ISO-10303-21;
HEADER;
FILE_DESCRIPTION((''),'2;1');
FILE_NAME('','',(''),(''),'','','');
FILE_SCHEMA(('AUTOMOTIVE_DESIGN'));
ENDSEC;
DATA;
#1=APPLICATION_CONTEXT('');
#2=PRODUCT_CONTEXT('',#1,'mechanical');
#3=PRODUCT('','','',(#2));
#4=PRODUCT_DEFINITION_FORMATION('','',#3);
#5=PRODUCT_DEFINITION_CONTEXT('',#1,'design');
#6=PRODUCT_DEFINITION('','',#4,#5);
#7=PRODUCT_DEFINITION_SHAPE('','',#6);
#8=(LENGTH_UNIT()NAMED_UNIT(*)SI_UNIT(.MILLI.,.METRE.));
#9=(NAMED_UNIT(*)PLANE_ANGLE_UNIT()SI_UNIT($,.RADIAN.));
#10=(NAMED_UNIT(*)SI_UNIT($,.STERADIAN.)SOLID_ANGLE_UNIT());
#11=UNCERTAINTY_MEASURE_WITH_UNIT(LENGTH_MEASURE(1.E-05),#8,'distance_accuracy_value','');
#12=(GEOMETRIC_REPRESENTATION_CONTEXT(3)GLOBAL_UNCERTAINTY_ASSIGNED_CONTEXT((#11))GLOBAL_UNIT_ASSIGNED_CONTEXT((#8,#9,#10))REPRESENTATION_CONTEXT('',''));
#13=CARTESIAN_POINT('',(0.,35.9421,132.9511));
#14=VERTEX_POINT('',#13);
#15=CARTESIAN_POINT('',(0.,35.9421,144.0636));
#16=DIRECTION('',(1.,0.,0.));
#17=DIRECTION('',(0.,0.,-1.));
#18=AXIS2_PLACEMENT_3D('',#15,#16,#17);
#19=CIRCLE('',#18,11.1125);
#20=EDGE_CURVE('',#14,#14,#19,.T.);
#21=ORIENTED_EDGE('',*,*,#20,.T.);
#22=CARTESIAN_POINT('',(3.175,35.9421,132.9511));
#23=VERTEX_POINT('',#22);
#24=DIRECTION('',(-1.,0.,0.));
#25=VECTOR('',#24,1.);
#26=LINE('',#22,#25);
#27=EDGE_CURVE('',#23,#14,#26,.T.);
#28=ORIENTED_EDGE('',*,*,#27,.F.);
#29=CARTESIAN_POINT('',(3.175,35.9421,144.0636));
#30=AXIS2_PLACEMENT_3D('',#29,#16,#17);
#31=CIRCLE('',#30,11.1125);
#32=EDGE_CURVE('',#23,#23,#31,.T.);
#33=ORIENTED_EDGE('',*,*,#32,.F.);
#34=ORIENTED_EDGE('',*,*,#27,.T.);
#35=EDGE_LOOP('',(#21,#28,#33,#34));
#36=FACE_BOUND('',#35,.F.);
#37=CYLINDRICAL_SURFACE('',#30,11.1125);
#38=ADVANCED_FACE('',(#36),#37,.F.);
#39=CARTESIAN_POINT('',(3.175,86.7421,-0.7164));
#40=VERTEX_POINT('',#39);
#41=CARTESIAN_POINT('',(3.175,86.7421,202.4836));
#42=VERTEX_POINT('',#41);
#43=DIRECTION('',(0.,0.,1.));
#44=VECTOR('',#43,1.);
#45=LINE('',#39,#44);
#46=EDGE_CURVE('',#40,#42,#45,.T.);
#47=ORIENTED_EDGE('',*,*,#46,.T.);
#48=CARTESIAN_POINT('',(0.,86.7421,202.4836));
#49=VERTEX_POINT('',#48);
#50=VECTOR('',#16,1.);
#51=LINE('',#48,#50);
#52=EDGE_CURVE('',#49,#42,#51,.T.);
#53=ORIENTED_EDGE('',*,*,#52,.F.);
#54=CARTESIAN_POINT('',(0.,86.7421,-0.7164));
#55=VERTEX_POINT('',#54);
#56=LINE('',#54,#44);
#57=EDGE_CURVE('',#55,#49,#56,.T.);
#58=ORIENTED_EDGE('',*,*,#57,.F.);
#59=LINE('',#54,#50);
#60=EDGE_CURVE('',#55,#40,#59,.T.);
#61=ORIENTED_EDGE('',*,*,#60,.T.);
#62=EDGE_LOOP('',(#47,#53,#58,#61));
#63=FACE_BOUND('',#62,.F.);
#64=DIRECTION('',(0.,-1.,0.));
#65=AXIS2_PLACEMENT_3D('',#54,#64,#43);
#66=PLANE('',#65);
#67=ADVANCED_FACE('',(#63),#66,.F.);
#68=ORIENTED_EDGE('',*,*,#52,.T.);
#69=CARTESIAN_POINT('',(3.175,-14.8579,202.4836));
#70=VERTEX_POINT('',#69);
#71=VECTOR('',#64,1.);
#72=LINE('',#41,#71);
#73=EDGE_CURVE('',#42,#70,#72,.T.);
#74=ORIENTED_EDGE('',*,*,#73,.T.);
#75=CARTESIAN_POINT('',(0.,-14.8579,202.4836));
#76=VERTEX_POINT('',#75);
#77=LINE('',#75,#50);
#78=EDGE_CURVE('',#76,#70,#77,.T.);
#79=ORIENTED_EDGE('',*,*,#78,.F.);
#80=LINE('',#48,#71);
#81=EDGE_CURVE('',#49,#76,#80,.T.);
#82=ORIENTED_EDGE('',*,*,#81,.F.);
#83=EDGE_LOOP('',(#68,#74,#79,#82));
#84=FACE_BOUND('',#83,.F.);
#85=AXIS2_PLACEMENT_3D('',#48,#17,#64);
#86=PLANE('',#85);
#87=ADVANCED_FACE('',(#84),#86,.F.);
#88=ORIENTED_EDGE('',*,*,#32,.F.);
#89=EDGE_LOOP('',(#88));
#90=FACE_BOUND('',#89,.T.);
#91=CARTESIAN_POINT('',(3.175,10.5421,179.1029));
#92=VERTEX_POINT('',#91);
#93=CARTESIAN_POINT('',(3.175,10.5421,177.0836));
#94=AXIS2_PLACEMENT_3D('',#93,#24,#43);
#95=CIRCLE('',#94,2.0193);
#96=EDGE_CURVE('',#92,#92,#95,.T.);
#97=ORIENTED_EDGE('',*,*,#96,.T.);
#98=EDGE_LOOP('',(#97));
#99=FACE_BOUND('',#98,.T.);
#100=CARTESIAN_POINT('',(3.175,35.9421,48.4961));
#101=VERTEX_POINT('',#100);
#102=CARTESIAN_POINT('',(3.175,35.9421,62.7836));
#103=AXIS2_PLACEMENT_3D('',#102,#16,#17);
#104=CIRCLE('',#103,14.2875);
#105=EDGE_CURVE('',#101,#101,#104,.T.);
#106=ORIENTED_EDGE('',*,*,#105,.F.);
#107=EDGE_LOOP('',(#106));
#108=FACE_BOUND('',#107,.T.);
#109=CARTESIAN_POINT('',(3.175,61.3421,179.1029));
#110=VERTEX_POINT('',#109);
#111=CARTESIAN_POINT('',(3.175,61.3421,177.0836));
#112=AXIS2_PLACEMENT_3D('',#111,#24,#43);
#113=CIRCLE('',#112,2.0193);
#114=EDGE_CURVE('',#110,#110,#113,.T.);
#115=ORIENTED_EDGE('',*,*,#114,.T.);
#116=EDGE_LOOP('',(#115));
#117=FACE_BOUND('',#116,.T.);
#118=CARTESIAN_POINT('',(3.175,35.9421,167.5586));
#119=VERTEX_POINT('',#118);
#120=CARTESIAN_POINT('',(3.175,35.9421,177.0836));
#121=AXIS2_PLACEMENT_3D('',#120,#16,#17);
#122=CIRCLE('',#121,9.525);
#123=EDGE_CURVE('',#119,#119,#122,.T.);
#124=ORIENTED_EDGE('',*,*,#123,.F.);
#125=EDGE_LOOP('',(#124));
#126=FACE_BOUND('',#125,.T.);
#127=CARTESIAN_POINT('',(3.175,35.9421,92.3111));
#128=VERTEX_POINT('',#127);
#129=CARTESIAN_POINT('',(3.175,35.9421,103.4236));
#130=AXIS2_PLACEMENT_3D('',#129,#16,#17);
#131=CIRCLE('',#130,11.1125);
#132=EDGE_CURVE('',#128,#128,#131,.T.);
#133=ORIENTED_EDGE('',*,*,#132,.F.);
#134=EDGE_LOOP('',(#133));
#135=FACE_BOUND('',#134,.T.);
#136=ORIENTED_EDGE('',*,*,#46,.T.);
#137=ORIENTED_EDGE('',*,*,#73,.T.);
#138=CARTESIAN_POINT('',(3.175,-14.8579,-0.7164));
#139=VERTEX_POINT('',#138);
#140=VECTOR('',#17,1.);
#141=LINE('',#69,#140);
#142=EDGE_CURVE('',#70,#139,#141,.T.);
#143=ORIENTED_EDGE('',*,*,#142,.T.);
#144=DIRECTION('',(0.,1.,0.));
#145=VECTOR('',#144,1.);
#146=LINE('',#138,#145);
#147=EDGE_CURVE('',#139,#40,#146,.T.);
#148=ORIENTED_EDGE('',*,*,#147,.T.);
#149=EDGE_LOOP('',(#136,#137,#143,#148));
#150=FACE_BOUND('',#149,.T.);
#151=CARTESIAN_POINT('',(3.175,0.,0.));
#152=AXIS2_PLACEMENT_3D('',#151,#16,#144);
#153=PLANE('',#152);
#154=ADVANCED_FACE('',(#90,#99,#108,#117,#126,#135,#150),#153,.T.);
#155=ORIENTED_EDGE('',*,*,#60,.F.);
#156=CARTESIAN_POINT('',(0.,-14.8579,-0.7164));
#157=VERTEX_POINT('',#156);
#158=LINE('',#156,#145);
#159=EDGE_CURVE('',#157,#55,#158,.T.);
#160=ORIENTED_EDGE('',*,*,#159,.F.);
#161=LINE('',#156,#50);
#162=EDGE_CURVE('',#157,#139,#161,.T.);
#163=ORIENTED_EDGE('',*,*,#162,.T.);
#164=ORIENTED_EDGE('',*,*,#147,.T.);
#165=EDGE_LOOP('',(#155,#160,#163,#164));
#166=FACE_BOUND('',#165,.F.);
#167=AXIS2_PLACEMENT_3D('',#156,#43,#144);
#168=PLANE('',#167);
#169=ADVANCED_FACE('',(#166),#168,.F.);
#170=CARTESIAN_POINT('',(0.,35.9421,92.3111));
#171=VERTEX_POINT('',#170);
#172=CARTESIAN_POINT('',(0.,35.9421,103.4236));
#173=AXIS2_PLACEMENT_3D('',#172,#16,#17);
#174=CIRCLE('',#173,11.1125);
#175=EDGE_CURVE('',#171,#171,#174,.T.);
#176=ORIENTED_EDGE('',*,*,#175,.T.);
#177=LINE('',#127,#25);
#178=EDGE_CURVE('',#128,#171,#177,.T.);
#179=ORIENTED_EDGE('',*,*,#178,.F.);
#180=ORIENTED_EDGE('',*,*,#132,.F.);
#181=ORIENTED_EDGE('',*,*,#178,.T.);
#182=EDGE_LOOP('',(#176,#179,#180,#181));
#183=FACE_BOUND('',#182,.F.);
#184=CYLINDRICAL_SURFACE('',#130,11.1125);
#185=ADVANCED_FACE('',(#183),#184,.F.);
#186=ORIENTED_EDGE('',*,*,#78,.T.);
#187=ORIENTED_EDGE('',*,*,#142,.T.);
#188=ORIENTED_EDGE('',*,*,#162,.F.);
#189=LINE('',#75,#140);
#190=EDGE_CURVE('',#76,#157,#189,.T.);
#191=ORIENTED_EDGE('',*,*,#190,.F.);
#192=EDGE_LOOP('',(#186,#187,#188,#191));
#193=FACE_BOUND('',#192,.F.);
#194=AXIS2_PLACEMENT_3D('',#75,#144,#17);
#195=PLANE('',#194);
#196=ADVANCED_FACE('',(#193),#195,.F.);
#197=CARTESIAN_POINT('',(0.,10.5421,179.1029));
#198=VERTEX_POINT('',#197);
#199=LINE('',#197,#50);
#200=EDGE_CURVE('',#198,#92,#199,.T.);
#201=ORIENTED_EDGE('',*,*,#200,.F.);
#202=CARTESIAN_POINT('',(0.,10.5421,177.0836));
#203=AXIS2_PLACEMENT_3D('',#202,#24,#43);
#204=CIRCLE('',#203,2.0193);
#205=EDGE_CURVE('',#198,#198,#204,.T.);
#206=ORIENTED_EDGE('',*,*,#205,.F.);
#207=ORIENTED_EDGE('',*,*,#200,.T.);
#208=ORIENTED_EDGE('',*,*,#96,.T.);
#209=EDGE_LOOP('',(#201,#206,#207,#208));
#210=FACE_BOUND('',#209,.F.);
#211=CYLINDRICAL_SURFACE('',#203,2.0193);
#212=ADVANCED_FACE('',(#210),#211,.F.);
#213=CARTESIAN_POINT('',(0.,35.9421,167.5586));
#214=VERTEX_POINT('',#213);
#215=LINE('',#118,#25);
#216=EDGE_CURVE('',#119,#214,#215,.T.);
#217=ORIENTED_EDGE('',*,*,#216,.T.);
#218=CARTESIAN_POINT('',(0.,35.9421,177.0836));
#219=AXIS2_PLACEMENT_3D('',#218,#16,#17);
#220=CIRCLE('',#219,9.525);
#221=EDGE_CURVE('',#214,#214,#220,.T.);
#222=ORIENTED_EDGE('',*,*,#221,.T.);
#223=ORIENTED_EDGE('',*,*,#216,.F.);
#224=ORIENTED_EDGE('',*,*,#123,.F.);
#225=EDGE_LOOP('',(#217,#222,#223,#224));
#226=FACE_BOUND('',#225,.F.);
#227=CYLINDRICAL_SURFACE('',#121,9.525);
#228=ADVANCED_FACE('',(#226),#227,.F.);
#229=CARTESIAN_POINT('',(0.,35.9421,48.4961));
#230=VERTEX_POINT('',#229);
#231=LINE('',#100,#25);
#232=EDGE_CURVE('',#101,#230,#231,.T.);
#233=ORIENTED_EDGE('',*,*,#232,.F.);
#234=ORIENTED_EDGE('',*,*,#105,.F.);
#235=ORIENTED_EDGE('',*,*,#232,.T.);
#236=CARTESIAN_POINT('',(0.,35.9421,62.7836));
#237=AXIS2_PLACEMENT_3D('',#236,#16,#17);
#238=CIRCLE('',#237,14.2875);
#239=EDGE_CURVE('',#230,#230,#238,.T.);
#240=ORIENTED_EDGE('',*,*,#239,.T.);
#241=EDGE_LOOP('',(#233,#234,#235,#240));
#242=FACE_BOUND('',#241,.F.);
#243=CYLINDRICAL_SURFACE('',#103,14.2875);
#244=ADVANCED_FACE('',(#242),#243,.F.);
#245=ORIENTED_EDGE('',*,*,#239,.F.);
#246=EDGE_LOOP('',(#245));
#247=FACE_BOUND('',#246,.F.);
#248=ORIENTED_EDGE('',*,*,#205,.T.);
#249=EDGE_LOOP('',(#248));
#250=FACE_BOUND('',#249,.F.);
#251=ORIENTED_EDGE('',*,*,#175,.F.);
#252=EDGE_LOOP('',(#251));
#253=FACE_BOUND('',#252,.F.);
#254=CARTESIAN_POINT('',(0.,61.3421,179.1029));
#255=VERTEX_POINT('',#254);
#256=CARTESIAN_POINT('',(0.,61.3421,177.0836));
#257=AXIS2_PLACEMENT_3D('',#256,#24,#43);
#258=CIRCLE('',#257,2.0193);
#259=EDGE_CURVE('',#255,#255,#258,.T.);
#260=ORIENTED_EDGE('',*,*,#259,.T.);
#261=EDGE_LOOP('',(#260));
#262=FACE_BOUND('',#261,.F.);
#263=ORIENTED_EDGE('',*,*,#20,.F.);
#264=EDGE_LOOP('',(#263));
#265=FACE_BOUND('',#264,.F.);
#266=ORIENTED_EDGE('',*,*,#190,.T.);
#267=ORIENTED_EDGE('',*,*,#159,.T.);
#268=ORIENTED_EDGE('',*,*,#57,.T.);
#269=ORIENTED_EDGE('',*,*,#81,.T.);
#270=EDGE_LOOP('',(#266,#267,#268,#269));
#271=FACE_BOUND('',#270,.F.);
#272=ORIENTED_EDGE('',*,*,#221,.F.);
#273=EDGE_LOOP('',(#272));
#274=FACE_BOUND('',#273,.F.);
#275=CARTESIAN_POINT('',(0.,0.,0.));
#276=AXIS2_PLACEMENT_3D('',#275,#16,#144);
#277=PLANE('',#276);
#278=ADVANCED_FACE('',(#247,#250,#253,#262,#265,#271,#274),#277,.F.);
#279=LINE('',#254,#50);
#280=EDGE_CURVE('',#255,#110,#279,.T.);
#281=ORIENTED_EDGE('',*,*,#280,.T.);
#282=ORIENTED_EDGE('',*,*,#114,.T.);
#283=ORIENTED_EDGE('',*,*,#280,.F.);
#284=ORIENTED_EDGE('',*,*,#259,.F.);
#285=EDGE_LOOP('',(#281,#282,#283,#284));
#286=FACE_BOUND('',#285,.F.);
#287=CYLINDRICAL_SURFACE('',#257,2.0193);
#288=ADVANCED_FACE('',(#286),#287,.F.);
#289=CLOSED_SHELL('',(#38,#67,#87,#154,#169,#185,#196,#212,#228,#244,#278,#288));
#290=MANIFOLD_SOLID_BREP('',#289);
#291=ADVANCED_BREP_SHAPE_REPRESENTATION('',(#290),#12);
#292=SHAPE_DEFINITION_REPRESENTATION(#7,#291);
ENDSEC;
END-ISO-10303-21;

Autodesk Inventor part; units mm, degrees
ref_plane "YZ Plane" through (0, 0, 0) normal (1, 0, 0) x (0, 1, 0)
ref_plane "XZ Plane" through (0, 0, 0) normal (0, 1, 0) x (-1, 0, 0)
ref_plane "XY Plane" through (0, 0, 0) normal (0, 0, 1) x (1, 0, 0)
sketch "Sketch1" plane through (0, 0, 0) normal (1, 0, 0) x (0, 1, 0)
  line L0 (86.7421, 202.4836) -> (-14.8579, 202.4836)
  line L1 (-14.8579, 202.4836) -> (-14.8579, -0.7164)
  line L2 (-14.8579, -0.7164) -> (86.7421, -0.7164)
  line L3 (86.7421, -0.7164) -> (86.7421, 202.4836)
  point P0 (0, 0)
  dimension "d0" = 101.6
  dimension "d1" = 203.2
extrude "Extrusion1" add sketch "Sketch1" along normal blind 3.175
sketch "Sketch2" plane through (3.175, 0, 0) normal (1, 0, 0) x (0, 0, -1)
  line L0 (-202.4836, 86.7421) -> (-202.4836, -14.8579) construction
  line L1 (-202.4836, 35.9421) -> (-177.0836, 35.9421) construction
  line L2 (-177.0836, 35.9421) -> (-144.0636, 35.9421) construction
  circle A0 centre (-144.0636, 35.9421) radius 11.1125
  line L3 (-144.0636, 35.9421) -> (-103.4236, 35.9421) construction
  line L4 (-103.4236, 35.9421) -> (-62.7836, 35.9421) construction
  circle A1 centre (-103.4236, 35.9421) radius 11.1125
  circle A2 centre (-62.7836, 35.9421) radius 14.2875
  circle A3 centre (-177.0836, 35.9421) radius 9.525
  point P0 (0, 0)
  dimension "d4" = 25.4
  dimension "d5" = 33.02
  dimension "d7" = 22.225
  dimension "d8" = 40.64
  dimension "d9" = 40.64
  dimension "d10" = 22.225
  dimension "d11" = 28.575
  dimension "d14" = 19.05
extrude "Extrusion2" cut sketch "Sketch2" against normal blind 12.7
sketch "Sketch3" plane through (0, 0, 0) normal (-1, 0, 0) x (0, 0, 1)
  circle A0 centre (177.0836, 35.9421) radius 9.525 projected
  circle A1 centre (177.0836, 61.3421) radius 2.0193
  circle A2 centre (177.0836, 10.5421) radius 2.0193
  line L0 (177.0836, 61.3421) -> (177.0836, 10.5421) construction
  point P0 (0, 0)
  dimension "d17" = 4.0386
  dimension "d18" = 4.0386
extrude "Extrusion3" cut sketch "Sketch3" against normal blind 25.4 contours A1 | A2
properties part number "ARm Gearbox Plate"
